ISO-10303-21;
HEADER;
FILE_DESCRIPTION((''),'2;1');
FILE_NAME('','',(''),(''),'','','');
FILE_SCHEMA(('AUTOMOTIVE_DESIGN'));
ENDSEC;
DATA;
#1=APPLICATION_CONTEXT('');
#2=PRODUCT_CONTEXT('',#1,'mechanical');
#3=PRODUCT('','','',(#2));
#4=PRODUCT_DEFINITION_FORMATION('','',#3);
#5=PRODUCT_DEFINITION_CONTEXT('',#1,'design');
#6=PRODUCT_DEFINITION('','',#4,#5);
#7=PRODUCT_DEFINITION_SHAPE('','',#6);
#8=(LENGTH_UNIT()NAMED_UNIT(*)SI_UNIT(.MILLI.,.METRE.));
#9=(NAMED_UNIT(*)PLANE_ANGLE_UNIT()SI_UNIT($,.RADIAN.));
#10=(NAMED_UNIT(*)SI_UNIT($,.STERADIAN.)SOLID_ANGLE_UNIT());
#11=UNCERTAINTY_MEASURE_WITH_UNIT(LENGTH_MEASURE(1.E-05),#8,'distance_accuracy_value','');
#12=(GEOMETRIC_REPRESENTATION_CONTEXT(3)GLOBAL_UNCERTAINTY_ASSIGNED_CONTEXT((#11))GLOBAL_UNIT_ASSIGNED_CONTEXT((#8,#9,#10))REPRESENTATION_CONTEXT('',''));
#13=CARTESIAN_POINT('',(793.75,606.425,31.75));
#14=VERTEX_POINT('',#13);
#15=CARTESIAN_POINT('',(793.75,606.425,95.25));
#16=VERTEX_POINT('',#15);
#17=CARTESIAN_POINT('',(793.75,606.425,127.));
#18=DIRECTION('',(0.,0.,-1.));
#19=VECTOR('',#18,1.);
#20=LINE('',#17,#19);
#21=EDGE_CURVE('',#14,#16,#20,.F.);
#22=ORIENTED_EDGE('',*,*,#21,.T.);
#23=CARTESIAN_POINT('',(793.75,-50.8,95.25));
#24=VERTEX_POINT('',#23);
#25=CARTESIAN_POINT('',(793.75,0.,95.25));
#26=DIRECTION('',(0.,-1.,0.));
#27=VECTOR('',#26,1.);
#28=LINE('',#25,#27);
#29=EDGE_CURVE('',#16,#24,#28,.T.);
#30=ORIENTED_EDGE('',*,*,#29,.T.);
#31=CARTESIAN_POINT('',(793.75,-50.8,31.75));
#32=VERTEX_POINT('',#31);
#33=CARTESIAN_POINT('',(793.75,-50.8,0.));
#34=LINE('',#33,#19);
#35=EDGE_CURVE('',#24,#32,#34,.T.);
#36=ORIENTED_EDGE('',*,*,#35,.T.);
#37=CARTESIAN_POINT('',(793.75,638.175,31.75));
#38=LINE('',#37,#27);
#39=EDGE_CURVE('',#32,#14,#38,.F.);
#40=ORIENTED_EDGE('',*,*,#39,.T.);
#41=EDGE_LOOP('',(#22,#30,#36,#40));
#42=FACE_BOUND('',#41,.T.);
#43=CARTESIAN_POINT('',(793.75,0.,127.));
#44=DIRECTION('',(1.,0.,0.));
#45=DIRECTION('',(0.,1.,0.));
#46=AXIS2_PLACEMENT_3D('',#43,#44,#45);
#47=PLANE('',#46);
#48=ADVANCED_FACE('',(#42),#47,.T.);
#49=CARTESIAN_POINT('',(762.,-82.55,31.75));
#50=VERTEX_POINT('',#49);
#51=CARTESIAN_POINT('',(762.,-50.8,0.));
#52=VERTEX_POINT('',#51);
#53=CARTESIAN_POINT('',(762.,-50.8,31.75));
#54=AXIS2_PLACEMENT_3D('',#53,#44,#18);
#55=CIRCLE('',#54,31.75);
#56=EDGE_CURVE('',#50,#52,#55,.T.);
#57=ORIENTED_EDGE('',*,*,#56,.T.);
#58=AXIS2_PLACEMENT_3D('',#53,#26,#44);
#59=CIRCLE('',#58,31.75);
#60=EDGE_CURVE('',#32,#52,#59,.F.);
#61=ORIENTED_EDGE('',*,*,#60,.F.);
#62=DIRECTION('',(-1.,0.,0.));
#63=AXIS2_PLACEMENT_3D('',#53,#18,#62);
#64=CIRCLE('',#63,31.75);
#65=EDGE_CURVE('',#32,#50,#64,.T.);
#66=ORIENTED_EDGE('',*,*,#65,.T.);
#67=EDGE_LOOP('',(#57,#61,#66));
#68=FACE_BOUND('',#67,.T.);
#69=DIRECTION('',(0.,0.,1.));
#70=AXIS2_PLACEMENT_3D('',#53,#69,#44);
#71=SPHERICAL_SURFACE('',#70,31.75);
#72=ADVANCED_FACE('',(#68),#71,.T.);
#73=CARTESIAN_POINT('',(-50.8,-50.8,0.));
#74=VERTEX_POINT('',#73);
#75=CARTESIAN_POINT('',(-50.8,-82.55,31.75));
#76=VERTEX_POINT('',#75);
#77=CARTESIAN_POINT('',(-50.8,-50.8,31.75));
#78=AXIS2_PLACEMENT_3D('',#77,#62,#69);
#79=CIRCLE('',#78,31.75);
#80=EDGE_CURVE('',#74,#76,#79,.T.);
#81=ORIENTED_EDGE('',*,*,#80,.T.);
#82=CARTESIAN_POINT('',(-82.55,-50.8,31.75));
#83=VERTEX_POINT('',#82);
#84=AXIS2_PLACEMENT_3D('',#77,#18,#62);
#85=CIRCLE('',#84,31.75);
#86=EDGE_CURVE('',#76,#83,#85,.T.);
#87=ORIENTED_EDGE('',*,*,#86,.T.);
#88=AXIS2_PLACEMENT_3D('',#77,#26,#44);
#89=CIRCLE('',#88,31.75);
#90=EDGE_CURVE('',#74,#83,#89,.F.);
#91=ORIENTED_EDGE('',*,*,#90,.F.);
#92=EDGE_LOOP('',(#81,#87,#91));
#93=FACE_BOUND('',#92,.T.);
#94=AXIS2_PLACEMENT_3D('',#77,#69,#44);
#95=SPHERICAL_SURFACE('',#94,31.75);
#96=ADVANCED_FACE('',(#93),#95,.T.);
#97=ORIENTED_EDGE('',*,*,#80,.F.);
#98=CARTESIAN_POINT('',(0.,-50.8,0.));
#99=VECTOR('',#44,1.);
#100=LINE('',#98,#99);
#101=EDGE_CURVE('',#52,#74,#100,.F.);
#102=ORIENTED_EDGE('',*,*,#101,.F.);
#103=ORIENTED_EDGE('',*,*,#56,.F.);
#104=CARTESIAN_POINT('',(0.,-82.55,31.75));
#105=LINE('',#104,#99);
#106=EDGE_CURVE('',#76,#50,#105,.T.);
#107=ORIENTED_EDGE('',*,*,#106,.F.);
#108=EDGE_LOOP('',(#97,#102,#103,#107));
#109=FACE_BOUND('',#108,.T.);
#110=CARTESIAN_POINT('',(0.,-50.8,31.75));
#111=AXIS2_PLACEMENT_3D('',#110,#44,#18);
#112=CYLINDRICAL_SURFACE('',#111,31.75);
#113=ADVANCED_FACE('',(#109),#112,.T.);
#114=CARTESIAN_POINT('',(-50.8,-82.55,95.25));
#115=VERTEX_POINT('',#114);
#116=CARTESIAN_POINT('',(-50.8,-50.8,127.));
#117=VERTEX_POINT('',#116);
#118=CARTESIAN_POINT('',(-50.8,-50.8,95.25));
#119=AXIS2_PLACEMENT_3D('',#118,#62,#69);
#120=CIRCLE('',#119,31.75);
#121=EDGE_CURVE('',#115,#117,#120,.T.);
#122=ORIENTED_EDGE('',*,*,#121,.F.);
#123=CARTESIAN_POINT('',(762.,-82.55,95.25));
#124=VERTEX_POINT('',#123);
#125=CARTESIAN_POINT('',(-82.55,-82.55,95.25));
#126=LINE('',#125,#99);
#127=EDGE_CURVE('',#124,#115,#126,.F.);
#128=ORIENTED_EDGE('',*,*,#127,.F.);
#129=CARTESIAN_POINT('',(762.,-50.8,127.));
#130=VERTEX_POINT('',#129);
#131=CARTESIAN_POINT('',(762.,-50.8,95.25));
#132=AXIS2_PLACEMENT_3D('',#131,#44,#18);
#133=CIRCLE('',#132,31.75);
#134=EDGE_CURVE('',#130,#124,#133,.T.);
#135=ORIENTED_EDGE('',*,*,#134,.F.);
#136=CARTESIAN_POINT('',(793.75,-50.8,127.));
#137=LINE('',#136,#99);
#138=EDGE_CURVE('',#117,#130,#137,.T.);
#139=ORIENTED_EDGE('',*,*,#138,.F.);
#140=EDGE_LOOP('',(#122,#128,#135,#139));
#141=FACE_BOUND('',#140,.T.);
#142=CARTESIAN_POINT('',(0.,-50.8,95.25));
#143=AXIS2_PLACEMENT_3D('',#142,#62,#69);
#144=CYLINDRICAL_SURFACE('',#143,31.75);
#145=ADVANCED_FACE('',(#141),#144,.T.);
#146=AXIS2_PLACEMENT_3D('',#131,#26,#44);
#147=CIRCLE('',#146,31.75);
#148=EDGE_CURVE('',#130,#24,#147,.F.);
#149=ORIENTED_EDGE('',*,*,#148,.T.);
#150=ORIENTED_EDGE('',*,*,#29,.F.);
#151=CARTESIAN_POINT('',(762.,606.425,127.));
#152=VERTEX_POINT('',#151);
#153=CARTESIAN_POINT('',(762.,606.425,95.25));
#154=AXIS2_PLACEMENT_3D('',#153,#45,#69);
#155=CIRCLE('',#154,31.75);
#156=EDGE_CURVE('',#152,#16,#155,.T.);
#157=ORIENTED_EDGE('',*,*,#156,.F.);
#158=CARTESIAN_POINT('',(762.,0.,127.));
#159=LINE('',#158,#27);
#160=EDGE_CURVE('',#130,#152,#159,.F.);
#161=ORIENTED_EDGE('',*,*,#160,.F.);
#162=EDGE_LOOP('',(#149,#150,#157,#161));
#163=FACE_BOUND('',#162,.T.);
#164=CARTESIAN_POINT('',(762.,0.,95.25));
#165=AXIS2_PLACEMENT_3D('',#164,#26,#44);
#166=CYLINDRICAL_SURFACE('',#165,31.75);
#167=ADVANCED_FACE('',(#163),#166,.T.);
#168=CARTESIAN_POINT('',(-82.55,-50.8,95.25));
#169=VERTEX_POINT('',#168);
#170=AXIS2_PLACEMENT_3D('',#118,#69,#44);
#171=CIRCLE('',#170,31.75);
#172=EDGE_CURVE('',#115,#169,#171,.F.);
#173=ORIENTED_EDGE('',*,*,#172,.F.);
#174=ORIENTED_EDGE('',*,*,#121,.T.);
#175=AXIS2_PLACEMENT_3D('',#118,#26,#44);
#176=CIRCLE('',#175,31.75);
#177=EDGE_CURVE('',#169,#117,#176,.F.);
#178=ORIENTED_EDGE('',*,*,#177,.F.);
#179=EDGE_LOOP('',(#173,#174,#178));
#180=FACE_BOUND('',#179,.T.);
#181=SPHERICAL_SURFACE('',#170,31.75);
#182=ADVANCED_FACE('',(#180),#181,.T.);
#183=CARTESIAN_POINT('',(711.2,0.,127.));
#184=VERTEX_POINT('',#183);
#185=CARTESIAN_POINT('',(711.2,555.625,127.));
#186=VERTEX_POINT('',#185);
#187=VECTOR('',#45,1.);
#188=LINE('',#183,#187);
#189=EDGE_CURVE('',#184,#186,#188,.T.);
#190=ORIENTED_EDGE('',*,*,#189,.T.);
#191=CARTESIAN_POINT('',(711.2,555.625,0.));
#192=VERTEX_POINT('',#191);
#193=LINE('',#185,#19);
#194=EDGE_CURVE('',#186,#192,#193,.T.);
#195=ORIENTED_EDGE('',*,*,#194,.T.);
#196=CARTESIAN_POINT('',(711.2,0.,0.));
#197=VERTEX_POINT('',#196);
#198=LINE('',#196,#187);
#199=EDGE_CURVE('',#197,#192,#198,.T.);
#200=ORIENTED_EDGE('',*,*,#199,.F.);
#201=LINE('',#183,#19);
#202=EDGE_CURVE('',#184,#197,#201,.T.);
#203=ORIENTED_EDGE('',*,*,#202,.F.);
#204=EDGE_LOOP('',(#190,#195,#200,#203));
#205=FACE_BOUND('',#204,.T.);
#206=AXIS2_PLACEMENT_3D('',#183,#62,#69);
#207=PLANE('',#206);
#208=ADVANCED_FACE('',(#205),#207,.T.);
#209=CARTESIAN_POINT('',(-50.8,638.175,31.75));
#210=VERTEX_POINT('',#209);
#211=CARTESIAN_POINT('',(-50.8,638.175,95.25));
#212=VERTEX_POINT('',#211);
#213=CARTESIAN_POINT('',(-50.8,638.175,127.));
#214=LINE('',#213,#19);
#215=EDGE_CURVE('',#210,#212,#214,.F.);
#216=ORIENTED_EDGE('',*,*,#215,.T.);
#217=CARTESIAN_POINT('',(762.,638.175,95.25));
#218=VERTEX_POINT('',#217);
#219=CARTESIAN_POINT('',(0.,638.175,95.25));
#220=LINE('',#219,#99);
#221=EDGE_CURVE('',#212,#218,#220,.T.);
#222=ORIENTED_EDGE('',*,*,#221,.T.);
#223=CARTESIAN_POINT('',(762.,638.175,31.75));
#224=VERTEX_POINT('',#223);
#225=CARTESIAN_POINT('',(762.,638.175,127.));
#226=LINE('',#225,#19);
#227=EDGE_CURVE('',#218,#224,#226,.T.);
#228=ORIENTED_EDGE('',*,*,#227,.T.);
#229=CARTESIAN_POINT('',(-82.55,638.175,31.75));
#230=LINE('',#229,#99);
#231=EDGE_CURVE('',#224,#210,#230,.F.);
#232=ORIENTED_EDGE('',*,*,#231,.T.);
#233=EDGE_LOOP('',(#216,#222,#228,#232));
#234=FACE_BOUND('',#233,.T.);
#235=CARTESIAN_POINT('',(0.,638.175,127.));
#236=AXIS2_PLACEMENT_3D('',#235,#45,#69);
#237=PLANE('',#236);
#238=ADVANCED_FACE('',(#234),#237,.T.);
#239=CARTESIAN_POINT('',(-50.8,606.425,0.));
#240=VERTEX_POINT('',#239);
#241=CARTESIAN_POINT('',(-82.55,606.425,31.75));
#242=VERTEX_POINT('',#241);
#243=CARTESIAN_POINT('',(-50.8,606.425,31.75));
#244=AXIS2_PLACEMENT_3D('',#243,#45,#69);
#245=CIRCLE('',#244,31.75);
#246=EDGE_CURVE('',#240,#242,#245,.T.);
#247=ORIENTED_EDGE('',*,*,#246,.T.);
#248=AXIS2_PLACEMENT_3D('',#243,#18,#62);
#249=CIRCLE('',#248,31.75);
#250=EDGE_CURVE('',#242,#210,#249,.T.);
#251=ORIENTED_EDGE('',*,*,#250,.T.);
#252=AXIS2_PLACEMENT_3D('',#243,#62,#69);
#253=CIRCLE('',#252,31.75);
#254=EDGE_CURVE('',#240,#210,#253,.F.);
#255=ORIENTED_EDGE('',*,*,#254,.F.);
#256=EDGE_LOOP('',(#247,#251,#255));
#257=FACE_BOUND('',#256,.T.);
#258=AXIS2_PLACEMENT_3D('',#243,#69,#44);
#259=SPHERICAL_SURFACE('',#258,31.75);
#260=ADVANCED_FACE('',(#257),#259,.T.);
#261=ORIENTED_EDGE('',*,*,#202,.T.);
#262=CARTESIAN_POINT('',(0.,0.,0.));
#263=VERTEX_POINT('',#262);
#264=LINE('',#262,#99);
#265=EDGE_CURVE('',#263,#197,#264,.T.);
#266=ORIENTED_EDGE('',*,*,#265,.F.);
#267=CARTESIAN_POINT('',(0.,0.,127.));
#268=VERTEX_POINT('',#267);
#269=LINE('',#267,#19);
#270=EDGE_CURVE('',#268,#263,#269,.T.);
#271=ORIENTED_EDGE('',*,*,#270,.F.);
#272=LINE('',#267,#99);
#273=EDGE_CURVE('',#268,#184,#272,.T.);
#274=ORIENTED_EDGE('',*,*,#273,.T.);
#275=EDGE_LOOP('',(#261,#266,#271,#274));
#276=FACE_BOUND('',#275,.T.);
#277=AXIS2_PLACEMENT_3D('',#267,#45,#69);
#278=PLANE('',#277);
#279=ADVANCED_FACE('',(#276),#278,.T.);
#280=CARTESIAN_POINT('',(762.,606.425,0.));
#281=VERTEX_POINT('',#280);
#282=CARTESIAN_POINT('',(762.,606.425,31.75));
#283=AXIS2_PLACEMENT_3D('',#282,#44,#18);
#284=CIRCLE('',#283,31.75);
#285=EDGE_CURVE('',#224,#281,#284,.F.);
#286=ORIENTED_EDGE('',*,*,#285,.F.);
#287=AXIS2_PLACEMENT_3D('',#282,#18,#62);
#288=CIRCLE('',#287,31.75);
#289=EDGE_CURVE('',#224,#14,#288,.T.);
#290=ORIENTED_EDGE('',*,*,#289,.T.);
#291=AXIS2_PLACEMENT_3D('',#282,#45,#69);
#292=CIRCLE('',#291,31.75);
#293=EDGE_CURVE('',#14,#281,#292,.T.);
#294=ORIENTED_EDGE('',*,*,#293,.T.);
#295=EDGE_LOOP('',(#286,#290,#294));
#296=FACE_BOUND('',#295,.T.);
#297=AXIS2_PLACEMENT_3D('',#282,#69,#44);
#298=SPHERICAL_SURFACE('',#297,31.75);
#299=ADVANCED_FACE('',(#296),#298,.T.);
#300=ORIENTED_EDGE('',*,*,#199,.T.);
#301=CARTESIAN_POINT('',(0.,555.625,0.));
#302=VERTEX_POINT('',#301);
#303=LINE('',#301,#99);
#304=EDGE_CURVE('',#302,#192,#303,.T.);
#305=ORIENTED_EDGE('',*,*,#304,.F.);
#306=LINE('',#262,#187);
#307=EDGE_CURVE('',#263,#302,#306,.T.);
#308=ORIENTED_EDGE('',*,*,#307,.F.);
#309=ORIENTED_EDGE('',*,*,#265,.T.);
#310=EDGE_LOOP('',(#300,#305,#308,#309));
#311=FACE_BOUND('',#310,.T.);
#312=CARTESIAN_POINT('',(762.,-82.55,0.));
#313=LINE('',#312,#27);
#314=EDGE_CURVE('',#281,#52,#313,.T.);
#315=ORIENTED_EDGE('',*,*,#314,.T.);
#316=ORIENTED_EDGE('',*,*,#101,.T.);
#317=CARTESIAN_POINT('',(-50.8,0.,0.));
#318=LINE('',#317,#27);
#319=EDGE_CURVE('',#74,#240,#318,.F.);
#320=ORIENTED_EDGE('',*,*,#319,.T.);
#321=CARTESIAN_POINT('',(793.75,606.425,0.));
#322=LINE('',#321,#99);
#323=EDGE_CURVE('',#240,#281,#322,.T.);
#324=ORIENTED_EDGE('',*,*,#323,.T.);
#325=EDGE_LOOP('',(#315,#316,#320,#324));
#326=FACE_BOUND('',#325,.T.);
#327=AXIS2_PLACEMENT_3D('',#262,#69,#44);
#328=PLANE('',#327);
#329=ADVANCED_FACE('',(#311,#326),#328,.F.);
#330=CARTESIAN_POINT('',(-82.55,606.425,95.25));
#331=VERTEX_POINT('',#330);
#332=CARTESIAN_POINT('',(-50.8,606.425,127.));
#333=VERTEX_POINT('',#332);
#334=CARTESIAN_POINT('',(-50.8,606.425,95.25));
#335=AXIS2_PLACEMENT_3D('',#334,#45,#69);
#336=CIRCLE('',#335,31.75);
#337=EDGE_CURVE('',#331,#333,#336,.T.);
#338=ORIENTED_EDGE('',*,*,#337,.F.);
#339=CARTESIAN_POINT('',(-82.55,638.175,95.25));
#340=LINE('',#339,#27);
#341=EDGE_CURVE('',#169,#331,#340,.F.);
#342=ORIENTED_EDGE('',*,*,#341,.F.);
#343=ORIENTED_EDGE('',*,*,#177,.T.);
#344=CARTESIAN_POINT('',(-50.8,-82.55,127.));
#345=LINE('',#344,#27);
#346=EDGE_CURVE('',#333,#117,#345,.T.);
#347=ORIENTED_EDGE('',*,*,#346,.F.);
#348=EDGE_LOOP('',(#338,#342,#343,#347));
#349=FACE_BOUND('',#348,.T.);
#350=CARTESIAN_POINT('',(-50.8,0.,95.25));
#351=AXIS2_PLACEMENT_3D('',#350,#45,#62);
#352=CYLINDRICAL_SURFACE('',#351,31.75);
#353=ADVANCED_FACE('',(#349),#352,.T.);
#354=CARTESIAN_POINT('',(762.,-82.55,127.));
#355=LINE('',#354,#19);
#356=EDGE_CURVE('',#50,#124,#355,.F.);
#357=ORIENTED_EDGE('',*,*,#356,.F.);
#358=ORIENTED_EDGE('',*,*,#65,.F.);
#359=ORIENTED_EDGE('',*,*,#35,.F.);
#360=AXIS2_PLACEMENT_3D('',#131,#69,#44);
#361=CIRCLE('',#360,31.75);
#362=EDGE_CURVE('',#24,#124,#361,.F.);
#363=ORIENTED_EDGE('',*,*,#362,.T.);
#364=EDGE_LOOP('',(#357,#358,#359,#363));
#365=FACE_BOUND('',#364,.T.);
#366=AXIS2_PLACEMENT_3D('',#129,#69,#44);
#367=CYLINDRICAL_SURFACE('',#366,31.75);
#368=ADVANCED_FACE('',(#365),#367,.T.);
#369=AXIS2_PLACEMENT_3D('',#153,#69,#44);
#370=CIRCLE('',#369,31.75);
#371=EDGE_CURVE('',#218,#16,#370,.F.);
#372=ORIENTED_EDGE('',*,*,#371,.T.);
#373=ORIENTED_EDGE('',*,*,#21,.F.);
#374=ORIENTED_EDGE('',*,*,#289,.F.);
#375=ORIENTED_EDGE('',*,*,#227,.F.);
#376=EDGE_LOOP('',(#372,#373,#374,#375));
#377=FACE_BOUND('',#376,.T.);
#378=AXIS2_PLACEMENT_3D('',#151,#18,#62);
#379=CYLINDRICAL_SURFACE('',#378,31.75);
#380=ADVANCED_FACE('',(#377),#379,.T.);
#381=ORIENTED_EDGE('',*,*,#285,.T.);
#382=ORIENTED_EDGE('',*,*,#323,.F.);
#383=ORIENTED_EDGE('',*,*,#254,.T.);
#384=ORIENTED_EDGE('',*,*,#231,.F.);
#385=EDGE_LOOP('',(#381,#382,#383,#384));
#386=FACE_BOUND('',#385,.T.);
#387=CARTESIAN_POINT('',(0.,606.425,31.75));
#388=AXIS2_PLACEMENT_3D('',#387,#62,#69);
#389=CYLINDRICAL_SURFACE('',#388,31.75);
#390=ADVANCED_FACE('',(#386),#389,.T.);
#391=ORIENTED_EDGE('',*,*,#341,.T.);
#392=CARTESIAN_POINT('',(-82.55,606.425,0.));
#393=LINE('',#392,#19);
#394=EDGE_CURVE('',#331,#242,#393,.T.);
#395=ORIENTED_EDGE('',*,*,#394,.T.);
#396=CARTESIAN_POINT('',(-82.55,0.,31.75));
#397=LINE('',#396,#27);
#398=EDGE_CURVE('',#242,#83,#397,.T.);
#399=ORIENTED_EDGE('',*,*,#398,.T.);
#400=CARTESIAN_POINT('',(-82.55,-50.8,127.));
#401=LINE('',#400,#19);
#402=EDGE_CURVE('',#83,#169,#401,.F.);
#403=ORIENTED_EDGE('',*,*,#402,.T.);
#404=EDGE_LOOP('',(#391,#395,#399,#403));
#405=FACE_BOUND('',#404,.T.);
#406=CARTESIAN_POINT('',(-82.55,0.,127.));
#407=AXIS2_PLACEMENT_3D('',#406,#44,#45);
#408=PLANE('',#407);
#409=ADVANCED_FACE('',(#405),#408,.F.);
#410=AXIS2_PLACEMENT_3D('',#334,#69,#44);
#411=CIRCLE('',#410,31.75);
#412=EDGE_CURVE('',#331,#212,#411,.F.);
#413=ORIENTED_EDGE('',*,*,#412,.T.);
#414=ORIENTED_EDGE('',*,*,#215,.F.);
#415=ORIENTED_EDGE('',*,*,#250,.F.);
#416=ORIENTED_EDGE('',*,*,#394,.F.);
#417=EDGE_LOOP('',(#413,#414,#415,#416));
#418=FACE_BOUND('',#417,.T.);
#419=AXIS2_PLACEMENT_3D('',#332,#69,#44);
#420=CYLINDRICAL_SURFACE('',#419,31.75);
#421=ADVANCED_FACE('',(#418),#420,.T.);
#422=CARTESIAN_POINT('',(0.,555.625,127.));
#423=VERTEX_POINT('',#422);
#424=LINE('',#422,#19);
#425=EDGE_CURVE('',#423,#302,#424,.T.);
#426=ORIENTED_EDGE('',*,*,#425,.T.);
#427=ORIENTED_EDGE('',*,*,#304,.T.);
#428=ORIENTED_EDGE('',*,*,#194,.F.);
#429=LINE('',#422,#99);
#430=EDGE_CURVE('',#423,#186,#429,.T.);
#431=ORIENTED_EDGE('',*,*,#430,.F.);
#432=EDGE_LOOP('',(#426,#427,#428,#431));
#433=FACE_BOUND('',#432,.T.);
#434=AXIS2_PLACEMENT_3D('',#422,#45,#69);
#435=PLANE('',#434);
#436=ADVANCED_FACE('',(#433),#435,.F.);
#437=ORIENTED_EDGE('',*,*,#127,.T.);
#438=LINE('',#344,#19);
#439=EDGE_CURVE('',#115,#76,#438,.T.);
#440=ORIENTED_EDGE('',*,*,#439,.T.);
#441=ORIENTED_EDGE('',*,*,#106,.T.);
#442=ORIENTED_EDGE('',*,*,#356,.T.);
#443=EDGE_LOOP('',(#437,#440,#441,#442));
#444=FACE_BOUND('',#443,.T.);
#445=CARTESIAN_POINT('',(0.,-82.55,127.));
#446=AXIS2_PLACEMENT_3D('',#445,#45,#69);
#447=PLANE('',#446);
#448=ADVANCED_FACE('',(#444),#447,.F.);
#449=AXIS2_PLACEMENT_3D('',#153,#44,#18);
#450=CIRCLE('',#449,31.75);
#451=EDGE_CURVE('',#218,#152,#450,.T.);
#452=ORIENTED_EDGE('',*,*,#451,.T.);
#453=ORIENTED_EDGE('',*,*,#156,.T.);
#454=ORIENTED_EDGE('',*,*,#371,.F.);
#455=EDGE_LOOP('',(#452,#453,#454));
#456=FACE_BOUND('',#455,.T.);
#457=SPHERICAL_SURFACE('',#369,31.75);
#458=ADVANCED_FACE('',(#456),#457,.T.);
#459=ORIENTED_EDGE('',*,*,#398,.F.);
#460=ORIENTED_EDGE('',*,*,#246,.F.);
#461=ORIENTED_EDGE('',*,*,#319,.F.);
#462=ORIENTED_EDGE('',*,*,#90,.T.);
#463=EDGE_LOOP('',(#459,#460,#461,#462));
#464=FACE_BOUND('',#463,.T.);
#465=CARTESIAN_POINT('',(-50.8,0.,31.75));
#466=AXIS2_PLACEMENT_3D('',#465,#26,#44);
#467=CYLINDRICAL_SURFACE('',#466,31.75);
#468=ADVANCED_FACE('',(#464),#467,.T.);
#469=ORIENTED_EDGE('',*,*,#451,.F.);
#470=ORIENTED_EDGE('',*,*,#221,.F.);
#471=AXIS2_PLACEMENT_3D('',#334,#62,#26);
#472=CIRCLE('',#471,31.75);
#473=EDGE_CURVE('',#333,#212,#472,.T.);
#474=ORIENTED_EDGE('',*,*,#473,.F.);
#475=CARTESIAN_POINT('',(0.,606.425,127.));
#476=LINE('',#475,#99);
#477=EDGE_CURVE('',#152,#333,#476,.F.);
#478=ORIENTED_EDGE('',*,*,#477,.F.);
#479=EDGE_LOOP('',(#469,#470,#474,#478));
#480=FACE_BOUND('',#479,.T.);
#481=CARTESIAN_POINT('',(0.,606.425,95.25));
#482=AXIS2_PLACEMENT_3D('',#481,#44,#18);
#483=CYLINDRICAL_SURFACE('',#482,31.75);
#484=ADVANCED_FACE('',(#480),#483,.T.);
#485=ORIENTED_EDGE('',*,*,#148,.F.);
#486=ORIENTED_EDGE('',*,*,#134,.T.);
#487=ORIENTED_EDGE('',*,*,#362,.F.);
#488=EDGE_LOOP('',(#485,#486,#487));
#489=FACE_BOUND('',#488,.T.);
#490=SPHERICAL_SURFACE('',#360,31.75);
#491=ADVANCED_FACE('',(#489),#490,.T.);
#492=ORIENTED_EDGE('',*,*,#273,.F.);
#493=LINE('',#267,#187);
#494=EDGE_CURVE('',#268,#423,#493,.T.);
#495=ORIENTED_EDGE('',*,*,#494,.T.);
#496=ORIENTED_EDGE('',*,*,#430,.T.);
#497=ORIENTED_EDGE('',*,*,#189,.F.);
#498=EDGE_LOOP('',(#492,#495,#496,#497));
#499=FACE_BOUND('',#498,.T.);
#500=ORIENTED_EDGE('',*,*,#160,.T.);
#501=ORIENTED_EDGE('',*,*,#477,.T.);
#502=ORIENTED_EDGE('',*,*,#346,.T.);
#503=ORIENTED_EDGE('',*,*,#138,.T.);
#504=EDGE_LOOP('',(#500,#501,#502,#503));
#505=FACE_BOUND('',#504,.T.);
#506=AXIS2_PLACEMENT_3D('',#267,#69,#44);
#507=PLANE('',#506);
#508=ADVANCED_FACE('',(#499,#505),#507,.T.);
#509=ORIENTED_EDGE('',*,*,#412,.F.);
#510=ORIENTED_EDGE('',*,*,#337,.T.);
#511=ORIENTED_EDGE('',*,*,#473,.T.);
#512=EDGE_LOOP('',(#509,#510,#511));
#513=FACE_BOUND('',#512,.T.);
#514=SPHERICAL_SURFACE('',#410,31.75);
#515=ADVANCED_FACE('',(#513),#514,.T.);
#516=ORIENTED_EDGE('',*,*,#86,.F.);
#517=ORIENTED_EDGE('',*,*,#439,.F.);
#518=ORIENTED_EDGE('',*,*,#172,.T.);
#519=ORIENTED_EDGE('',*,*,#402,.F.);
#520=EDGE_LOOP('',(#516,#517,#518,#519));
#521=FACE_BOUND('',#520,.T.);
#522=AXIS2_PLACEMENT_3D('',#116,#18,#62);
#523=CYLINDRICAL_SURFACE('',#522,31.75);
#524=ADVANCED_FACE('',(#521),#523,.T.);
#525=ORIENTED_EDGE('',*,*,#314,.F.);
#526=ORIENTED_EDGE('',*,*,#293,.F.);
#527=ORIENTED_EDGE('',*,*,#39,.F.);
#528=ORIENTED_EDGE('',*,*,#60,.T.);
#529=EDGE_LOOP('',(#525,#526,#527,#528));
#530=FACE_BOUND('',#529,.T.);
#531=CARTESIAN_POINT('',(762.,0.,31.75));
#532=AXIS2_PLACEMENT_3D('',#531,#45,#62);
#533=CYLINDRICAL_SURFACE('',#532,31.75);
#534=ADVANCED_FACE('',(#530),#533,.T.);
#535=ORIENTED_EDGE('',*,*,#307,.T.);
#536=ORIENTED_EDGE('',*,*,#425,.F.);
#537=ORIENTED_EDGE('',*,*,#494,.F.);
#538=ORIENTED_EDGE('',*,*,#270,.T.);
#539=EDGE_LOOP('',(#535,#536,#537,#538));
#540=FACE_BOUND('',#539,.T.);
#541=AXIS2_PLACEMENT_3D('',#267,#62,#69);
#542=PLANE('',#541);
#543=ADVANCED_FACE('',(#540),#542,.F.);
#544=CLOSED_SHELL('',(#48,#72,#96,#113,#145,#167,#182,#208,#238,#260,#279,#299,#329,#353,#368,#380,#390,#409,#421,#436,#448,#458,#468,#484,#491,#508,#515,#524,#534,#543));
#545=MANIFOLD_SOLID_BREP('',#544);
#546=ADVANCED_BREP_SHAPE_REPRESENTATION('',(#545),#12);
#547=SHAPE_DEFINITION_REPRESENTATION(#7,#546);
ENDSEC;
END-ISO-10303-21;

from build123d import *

# Parameters (mm, degrees)
SKETCH1_W           = 876.3
SKETCH1_H           = 720.725
SKETCH1_W_2         = 711.2
SKETCH1_H_2         = 555.625
BOSS_EXTRUDE1_DEPTH = 127
FILLET1_R           = 31.75


with BuildPart() as part:
    # Sketch1 → Boss-Extrude1 (new body)
    with BuildSketch(Plane.XY):
        with Locations((355.6, 277.8125)):
            Rectangle(SKETCH1_W, SKETCH1_H)
        with Locations((355.6, 277.8125)):
            Rectangle(SKETCH1_W_2, SKETCH1_H_2, mode=Mode.SUBTRACT)
    extrude(amount=BOSS_EXTRUDE1_DEPTH)

    # Fillet1
    fillet1_edges = [part.edges().sort_by_distance(p)[0] for p in [
        (355.6, 638.175, 127),
        (355.6, -82.55, 0),
        (-82.55, 277.8125, 0),
        (355.6, 638.175, 0),
        (793.75, 277.8125, 0),
        (-82.55, 277.8125, 127),
        (793.75, -82.55, 63.5),
        (-82.55, -82.55, 63.5),
        (-82.55, 638.175, 63.5),
        (793.75, 638.175, 63.5),
        (355.6, -82.55, 127),
        (793.75, 277.8125, 127),
    ]]
    fillet(fillet1_edges, radius=FILLET1_R)


solid = part.part
